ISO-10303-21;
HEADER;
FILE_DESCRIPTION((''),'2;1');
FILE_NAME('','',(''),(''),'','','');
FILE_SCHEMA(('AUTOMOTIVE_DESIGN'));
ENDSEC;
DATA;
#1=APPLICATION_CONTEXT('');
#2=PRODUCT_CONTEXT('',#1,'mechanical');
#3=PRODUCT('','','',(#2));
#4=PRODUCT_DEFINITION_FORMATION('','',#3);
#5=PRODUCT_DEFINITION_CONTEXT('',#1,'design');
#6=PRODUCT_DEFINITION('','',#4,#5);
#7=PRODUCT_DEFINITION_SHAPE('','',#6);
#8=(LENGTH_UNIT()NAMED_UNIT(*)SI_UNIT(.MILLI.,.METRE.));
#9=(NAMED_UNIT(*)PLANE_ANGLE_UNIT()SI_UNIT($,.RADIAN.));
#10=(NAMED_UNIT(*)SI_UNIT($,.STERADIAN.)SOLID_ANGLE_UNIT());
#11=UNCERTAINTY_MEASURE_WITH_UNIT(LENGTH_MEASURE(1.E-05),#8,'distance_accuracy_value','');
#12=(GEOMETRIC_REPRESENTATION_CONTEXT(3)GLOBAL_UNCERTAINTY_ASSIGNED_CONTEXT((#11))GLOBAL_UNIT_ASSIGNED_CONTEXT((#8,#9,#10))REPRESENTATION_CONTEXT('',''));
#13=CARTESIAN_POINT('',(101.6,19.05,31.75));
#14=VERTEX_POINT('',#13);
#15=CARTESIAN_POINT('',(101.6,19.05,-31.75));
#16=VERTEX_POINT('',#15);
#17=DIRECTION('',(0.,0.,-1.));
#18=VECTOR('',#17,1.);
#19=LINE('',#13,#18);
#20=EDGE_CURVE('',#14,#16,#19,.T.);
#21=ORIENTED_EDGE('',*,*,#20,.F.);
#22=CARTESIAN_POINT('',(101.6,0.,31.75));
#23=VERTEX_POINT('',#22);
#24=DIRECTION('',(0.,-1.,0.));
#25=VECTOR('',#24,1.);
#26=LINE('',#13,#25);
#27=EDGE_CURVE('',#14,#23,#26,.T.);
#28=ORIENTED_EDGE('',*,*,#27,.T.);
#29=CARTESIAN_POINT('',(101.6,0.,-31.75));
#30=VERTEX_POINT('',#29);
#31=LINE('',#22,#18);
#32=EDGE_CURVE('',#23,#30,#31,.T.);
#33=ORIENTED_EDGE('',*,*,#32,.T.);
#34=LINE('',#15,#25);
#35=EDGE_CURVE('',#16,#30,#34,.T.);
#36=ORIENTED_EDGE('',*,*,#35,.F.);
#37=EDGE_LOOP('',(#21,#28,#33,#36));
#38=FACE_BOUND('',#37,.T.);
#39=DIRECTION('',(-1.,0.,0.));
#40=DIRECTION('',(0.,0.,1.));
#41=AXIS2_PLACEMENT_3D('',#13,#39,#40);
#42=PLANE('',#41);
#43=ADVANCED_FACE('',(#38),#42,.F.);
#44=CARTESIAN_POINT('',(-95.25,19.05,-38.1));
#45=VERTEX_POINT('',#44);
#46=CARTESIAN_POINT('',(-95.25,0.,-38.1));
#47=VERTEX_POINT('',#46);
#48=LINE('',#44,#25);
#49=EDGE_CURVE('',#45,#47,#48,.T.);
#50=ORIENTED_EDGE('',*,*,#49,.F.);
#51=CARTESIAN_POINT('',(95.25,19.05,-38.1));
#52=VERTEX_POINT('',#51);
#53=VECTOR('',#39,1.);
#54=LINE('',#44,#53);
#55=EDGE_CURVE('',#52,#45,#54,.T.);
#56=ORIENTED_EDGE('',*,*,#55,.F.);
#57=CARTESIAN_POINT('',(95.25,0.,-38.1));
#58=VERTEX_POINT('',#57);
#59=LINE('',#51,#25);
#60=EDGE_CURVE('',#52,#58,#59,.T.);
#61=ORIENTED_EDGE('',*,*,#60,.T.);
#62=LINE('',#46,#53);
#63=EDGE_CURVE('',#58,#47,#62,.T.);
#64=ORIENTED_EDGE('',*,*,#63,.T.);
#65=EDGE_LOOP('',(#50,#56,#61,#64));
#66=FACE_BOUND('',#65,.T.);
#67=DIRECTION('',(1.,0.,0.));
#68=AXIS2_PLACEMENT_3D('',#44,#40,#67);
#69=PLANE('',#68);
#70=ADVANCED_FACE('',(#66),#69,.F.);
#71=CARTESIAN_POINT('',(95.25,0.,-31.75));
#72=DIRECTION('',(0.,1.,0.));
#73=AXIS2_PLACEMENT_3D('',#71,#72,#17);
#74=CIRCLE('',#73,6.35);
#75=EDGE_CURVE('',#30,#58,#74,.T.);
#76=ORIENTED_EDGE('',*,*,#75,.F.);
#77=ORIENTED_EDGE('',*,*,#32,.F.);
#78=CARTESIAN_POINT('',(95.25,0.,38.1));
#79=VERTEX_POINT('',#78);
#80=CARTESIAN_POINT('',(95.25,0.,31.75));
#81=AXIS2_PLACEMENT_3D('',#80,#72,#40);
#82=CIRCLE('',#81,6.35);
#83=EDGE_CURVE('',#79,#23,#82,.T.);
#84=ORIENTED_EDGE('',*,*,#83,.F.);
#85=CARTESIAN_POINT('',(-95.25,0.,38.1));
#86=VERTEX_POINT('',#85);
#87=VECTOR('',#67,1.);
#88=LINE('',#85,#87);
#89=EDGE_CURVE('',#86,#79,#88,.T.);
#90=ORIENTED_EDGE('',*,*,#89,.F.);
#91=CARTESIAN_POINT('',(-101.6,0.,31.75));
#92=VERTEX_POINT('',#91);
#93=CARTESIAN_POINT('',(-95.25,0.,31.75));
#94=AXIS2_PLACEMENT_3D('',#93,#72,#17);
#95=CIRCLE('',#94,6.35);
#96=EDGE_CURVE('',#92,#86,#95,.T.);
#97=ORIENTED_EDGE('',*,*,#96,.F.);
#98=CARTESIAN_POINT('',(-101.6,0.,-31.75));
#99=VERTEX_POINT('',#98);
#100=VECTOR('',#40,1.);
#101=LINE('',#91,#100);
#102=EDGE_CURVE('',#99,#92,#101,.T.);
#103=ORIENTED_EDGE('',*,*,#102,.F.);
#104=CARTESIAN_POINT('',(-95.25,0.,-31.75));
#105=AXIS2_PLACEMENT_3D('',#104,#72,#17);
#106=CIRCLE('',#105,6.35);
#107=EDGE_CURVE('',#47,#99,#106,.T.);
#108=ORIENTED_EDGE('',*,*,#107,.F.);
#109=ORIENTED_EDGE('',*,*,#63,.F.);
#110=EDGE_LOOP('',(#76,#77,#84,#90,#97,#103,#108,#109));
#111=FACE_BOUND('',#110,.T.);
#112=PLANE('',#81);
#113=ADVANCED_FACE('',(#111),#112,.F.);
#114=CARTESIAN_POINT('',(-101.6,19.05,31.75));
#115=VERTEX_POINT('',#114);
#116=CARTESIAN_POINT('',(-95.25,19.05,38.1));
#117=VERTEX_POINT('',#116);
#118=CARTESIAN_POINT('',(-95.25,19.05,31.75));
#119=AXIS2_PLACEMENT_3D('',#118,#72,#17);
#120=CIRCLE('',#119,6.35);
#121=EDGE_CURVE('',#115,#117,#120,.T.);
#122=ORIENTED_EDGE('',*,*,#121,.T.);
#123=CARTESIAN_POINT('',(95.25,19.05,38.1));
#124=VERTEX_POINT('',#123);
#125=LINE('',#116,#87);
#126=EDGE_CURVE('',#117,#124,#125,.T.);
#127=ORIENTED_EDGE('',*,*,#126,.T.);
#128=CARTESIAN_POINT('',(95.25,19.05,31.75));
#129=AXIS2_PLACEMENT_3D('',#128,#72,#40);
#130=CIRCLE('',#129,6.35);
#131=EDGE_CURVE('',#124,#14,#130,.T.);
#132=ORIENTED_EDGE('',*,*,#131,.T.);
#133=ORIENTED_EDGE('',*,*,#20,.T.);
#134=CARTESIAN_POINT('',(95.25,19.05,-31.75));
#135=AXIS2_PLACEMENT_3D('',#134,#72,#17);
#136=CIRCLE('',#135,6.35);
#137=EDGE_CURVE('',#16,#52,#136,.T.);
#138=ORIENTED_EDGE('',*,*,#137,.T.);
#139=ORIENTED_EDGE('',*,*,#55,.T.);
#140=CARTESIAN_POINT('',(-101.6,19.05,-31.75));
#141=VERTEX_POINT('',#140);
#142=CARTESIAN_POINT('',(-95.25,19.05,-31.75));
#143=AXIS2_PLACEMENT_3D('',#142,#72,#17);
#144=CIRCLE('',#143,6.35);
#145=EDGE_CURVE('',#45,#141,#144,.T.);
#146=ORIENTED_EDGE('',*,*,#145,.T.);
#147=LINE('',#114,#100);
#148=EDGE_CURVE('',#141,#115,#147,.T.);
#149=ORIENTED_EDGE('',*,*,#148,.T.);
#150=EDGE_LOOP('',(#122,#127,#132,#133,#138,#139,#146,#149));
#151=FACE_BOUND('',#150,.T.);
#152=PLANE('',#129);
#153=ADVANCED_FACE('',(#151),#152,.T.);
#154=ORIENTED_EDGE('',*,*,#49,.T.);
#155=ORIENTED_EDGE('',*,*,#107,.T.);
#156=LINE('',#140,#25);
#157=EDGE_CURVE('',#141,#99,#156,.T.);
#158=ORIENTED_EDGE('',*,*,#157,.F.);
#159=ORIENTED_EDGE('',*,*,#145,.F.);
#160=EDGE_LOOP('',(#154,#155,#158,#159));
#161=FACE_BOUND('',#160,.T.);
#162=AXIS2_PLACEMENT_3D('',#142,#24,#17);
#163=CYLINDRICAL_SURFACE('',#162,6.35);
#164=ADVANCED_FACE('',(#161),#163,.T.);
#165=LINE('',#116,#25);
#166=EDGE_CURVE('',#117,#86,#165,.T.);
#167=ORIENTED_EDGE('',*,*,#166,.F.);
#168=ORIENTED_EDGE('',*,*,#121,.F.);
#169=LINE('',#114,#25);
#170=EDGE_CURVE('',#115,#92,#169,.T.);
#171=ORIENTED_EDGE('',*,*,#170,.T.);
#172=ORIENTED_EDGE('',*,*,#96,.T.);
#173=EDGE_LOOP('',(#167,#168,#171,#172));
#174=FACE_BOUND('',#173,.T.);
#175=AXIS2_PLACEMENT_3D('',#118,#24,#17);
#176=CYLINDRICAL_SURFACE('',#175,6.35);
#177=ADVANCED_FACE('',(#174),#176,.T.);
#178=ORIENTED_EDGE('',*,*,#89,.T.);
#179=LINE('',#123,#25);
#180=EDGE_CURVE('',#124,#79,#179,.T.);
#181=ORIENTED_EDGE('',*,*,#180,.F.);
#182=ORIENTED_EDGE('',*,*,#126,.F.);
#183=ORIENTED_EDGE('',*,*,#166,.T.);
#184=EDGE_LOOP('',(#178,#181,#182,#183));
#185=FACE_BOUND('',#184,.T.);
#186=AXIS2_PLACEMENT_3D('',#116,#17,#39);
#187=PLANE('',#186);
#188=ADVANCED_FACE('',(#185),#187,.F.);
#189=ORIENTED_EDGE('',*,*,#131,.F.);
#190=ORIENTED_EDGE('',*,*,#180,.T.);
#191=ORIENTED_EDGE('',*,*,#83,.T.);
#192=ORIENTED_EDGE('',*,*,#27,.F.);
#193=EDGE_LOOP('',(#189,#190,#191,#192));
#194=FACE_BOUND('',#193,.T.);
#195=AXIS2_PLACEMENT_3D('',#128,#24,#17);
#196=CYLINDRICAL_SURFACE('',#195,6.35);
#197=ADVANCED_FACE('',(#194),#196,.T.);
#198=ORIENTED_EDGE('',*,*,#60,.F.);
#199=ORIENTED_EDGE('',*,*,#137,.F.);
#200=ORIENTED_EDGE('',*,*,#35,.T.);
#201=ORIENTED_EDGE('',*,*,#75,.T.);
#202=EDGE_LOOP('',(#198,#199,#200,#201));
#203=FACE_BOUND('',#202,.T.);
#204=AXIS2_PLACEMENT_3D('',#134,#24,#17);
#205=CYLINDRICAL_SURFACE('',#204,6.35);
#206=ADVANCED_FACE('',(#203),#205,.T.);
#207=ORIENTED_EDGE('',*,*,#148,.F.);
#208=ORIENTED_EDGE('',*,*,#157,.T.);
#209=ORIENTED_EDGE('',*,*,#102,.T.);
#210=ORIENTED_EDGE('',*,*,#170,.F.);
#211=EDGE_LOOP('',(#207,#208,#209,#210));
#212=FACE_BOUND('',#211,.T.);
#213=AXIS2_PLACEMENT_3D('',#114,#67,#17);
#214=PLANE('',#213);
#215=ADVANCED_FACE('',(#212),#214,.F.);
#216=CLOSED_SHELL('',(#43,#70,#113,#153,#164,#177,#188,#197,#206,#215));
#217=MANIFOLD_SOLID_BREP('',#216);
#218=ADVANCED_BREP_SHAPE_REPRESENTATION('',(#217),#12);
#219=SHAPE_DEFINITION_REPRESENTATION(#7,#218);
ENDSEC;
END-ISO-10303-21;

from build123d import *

# Parameters (mm, degrees)
BOSS_EXTRUDE1_DEPTH = 19.05


with BuildPart() as part:
    # Sketch1 → Boss-Extrude1 (new body)
    with BuildSketch(Plane(origin=(0, 0, 0), x_dir=(1, 0, 0), z_dir=(0, 1, 0))):
        with BuildLine():
            Line((-95.25, -38.1), (95.25, -38.1))
            ThreePointArc((95.25, -38.1), (99.740128061, -36.240128061), (101.6, -31.75))
            Line((101.6, -31.75), (101.6, 31.75))
            ThreePointArc((101.6, 31.75), (99.740128061, 36.240128061), (95.25, 38.1))
            Line((95.25, 38.1), (-95.25, 38.1))
            ThreePointArc((-95.25, 38.1), (-99.740128061, 36.240128061), (-101.6, 31.75))
            Line((-101.6, 31.75), (-101.6, -31.75))
            ThreePointArc((-101.6, -31.75), (-99.740128061, -36.240128061), (-95.25, -38.1))
        make_face()
    extrude(amount=BOSS_EXTRUDE1_DEPTH)


solid = part.part
